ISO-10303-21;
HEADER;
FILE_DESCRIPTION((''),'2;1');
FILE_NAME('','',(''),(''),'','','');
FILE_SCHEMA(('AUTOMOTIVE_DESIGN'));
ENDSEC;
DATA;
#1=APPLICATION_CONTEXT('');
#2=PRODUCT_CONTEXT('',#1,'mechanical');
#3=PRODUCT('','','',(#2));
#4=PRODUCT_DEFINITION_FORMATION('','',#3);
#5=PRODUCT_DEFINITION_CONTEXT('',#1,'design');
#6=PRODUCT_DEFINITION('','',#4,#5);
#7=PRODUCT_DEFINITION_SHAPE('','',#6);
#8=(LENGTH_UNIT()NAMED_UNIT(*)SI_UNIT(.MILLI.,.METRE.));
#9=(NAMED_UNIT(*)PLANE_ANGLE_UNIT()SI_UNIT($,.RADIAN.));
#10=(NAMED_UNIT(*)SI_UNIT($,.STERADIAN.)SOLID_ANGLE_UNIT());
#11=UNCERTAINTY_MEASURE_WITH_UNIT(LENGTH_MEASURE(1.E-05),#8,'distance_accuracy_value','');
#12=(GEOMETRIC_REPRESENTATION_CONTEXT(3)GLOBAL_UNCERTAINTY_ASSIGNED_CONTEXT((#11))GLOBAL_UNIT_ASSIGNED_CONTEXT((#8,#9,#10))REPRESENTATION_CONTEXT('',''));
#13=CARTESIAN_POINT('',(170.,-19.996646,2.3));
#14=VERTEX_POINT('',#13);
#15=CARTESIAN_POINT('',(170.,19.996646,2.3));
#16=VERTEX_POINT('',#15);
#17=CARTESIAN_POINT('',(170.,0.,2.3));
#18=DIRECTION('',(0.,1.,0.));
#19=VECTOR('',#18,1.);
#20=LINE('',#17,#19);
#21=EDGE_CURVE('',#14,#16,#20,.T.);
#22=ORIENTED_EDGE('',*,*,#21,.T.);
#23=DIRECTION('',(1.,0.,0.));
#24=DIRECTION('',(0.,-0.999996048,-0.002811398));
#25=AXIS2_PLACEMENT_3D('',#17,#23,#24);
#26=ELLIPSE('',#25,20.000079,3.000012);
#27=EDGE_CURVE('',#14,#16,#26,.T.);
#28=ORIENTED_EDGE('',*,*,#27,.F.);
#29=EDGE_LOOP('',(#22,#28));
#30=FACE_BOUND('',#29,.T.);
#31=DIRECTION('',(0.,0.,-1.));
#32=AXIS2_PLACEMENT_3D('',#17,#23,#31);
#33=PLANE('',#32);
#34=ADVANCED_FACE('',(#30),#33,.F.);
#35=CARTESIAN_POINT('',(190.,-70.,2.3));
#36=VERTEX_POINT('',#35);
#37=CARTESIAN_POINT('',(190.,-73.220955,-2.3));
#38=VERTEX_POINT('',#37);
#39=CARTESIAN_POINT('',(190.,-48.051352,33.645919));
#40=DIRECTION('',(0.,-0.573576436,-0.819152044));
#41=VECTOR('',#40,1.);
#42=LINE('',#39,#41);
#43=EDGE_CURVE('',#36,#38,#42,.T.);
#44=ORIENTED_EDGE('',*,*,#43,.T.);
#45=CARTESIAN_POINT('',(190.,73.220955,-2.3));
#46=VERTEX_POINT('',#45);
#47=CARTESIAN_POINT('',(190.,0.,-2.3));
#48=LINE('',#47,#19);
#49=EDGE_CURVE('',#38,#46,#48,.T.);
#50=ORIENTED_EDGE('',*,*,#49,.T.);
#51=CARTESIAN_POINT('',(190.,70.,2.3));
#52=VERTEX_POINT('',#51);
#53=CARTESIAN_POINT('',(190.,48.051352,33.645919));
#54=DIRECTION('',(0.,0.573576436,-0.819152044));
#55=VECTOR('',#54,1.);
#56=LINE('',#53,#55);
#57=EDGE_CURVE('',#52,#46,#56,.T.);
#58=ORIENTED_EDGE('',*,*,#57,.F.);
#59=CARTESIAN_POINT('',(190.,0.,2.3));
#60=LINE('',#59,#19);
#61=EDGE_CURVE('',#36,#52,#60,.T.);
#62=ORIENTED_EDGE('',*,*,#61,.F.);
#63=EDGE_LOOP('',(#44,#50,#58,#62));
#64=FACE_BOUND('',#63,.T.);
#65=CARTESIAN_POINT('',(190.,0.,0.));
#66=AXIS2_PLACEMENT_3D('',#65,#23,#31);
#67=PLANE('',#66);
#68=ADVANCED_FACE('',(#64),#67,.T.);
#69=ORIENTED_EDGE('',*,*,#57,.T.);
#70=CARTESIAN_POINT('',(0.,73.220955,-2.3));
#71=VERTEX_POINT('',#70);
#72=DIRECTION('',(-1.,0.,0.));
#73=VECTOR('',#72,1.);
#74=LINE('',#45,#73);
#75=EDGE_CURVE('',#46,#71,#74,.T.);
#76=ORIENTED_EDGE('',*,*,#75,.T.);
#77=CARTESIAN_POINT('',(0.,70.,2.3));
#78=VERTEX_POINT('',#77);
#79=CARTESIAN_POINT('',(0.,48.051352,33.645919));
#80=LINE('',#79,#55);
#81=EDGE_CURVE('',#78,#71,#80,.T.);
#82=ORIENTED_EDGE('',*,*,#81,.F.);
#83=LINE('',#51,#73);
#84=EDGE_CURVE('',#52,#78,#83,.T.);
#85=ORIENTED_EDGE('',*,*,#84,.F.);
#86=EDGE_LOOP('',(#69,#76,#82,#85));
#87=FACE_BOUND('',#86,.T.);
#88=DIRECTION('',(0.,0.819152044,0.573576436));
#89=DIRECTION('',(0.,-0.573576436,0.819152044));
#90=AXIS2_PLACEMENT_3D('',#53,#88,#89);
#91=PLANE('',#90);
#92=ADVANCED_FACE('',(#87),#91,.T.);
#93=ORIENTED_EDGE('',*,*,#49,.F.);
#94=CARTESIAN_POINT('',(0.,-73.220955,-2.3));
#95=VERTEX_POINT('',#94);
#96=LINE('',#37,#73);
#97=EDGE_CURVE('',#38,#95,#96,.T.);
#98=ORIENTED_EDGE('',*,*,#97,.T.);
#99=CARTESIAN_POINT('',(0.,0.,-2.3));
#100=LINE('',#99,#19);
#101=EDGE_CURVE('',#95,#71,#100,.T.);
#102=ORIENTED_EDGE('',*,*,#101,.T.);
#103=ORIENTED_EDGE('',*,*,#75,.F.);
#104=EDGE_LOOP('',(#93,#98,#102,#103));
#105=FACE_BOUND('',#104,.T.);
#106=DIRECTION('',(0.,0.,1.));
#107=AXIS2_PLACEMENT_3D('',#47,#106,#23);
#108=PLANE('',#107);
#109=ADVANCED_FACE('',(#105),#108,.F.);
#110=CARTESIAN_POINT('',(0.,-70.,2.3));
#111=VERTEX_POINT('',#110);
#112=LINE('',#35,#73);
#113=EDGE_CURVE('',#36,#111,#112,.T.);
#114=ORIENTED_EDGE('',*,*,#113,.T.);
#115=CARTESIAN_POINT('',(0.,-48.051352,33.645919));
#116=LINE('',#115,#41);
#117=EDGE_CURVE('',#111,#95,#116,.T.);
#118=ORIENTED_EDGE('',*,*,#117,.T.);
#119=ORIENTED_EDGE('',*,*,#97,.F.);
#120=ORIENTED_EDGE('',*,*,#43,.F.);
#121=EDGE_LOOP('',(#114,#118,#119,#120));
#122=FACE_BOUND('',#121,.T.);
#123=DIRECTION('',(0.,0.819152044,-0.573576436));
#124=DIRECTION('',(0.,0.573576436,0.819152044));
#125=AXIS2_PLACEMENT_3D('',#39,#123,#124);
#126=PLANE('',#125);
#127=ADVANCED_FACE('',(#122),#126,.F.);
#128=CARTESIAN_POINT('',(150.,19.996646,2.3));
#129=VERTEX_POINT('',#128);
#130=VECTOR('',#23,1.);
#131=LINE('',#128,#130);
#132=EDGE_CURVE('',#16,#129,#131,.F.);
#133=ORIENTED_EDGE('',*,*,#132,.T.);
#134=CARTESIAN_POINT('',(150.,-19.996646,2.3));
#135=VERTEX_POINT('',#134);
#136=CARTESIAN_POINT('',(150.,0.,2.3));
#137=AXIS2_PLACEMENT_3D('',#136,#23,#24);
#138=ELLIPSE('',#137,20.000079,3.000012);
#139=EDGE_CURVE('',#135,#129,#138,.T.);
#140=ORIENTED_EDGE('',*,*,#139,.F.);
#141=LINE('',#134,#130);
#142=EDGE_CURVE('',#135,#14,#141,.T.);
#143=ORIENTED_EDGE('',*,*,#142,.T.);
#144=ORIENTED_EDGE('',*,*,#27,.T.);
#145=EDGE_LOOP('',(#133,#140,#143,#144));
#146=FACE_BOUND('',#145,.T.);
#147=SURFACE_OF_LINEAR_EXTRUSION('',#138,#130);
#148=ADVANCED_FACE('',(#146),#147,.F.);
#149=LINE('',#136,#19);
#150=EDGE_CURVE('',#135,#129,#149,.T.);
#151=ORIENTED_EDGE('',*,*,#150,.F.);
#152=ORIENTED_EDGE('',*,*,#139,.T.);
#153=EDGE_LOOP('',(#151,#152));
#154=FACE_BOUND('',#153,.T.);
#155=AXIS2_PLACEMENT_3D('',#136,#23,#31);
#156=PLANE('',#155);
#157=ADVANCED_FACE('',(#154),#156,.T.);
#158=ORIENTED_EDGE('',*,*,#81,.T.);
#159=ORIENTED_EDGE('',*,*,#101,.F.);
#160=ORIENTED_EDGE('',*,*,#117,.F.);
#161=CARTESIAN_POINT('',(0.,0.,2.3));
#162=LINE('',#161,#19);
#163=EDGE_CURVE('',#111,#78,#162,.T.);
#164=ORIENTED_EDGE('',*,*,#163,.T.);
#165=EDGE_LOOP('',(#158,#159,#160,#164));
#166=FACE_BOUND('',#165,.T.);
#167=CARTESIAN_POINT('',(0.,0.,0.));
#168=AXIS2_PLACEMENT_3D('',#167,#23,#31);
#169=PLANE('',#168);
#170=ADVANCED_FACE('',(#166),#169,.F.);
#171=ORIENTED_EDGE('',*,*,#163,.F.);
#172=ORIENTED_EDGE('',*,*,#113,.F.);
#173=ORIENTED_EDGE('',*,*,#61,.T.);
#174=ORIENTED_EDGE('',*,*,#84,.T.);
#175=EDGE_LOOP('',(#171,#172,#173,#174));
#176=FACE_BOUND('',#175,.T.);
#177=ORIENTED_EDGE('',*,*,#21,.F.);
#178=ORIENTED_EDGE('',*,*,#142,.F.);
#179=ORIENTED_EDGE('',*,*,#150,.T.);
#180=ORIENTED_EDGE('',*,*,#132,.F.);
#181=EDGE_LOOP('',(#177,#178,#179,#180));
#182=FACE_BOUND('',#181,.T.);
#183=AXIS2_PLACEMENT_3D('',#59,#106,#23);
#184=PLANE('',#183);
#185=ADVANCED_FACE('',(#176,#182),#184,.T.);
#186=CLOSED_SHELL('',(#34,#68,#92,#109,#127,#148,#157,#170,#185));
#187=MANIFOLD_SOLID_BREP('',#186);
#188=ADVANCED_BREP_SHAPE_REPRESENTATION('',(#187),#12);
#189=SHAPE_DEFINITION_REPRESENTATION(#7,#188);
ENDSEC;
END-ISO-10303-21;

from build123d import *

# Parameters (mm, degrees)
ESBO_O1_W                = 4.6
ESBO_O1_H                = 140
RESSALTO_EXTRUS_O1_DEPTH = 190
CORTE_EXTRUS_O1_START    = -20
ESBO_O2_RX               = 20.00007904
ESBO_O2_RY               = 3.000011856
CORTE_EXTRUS_O1_DEPTH    = 20


with BuildPart() as part:
    # Esboço1 → Ressalto-extrusão1 (new body)
    with BuildSketch(Plane(origin=(0, 0, 0), x_dir=(0, 0, -1), z_dir=(1, 0, 0))):
        Rectangle(ESBO_O1_W, ESBO_O1_H)
        Polygon((2.3, 70), (-2.3, 70), (2.3, 73.220954676), align=None)
        Polygon((2.3, -70), (-2.3, -70), (2.3, -73.220954676), align=None)
    extrude(amount=RESSALTO_EXTRUS_O1_DEPTH)

    # Esboço2 → Corte-extrusão1 (cut)
    with BuildSketch(Plane(origin=(190, 0, 0), x_dir=(0, 0, -1), z_dir=(1, 0, 0)).offset(CORTE_EXTRUS_O1_START)):
        with Locations(Location((-2.3, 0), (0, 0, -89.838918547))):
            Ellipse(ESBO_O2_RX, ESBO_O2_RY)
    extrude(amount=-CORTE_EXTRUS_O1_DEPTH, mode=Mode.SUBTRACT)


solid = part.part
